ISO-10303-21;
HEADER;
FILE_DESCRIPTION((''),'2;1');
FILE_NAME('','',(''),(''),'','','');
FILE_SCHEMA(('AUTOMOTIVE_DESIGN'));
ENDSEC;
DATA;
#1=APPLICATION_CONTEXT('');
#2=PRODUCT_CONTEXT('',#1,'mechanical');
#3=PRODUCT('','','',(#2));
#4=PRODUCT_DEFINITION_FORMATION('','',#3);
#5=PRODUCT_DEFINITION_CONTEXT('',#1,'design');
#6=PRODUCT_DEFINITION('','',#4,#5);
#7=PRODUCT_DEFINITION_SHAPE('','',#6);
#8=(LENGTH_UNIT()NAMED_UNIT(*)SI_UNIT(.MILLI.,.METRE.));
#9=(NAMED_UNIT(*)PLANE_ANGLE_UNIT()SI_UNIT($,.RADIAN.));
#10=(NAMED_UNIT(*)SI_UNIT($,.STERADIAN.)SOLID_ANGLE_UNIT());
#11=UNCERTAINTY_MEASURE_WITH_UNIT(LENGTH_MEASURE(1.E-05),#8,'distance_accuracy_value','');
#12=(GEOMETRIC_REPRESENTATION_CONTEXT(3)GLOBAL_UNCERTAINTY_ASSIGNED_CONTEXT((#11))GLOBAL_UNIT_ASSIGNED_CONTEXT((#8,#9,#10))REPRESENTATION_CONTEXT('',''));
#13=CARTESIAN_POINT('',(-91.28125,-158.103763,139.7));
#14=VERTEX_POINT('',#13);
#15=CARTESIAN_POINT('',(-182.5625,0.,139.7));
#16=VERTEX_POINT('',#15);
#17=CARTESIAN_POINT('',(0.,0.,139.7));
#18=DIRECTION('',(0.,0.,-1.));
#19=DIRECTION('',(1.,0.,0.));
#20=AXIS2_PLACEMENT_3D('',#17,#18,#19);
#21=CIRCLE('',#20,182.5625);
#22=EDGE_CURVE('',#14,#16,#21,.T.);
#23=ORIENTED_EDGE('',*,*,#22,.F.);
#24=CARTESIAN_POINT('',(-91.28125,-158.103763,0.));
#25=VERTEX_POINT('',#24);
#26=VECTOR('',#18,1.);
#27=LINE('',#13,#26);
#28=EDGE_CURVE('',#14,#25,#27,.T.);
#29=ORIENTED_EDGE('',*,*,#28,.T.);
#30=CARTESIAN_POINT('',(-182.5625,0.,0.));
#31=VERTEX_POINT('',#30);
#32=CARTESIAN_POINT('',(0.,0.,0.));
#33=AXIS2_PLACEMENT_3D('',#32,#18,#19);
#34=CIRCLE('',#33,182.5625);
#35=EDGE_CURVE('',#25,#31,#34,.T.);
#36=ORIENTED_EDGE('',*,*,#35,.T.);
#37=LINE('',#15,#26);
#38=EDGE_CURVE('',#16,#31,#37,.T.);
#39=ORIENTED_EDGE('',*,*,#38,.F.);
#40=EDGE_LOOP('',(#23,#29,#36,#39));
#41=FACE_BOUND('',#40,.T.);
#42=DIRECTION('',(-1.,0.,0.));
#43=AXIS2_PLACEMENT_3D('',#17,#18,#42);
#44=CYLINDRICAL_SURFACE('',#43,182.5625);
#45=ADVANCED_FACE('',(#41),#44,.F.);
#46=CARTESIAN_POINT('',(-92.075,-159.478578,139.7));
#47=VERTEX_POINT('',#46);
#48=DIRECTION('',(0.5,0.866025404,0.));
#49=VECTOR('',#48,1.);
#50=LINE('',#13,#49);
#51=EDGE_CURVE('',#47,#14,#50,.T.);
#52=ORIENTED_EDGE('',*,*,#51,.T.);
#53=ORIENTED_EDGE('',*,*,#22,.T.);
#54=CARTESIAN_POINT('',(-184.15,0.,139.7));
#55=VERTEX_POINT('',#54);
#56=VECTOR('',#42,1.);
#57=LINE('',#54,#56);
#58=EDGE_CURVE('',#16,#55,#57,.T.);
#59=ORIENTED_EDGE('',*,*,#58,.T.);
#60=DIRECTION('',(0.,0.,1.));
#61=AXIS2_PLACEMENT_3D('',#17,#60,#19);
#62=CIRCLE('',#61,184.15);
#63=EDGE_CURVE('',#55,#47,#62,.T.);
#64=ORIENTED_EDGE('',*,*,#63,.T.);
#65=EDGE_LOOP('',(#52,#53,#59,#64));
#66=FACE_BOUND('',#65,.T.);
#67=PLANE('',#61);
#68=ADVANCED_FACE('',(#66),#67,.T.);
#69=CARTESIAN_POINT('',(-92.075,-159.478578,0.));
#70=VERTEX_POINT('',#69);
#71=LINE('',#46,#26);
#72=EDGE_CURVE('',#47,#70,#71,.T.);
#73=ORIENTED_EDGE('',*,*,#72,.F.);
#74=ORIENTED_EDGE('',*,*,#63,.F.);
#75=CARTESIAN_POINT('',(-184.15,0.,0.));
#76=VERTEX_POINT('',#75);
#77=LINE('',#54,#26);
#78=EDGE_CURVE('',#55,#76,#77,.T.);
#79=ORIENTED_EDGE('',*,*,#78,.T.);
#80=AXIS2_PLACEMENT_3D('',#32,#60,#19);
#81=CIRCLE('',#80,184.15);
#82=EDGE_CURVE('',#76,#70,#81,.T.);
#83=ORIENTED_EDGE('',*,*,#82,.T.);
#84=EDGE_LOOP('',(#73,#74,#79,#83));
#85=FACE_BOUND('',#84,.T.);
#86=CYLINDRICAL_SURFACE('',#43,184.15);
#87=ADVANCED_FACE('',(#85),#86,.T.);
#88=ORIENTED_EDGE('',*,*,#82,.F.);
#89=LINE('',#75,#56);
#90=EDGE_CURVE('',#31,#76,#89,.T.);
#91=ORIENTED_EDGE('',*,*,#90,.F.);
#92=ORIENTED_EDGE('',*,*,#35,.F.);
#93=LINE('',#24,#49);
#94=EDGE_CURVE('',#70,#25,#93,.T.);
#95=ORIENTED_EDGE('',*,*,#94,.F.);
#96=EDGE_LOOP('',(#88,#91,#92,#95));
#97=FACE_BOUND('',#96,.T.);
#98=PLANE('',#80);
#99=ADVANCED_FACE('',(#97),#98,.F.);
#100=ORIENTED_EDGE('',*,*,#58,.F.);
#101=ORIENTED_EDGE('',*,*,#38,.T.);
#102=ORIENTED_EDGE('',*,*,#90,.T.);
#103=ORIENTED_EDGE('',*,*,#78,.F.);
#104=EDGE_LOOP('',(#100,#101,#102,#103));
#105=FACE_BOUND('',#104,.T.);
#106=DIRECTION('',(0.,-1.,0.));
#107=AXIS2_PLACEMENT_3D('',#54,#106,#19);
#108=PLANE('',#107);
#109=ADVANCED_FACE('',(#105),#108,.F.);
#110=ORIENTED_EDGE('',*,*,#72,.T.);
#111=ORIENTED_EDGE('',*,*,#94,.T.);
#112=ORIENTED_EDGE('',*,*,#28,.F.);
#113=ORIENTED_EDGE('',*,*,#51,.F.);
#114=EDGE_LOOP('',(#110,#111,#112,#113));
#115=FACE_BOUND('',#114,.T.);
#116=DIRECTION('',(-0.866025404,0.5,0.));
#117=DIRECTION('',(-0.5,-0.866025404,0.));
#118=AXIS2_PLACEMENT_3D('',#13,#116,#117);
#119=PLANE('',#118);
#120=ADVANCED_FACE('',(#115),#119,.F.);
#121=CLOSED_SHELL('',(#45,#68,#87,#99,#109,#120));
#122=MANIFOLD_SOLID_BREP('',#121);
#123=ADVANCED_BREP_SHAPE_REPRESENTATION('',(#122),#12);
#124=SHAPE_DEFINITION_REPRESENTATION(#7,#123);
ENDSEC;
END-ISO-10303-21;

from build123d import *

# Parameters (mm, degrees)
BOSS_EXTRUDE1_DEPTH = 139.7


with BuildPart() as part:
    # Sketch1 → Boss-Extrude1 (new body)
    with BuildSketch(Plane.XY):
        with BuildLine():
            Line((-184.15, 0), (-182.5625, 0))
            ThreePointArc((-182.5625, 0), (-158.103762778, -91.28125), (-91.28125, -158.103762778))
            Line((-91.28125, -158.103762778), (-92.075, -159.478578107))
            ThreePointArc((-92.075, -159.478578107), (-159.478578107, -92.075), (-184.15, 0))
        make_face()
    extrude(amount=BOSS_EXTRUDE1_DEPTH)


solid = part.part
